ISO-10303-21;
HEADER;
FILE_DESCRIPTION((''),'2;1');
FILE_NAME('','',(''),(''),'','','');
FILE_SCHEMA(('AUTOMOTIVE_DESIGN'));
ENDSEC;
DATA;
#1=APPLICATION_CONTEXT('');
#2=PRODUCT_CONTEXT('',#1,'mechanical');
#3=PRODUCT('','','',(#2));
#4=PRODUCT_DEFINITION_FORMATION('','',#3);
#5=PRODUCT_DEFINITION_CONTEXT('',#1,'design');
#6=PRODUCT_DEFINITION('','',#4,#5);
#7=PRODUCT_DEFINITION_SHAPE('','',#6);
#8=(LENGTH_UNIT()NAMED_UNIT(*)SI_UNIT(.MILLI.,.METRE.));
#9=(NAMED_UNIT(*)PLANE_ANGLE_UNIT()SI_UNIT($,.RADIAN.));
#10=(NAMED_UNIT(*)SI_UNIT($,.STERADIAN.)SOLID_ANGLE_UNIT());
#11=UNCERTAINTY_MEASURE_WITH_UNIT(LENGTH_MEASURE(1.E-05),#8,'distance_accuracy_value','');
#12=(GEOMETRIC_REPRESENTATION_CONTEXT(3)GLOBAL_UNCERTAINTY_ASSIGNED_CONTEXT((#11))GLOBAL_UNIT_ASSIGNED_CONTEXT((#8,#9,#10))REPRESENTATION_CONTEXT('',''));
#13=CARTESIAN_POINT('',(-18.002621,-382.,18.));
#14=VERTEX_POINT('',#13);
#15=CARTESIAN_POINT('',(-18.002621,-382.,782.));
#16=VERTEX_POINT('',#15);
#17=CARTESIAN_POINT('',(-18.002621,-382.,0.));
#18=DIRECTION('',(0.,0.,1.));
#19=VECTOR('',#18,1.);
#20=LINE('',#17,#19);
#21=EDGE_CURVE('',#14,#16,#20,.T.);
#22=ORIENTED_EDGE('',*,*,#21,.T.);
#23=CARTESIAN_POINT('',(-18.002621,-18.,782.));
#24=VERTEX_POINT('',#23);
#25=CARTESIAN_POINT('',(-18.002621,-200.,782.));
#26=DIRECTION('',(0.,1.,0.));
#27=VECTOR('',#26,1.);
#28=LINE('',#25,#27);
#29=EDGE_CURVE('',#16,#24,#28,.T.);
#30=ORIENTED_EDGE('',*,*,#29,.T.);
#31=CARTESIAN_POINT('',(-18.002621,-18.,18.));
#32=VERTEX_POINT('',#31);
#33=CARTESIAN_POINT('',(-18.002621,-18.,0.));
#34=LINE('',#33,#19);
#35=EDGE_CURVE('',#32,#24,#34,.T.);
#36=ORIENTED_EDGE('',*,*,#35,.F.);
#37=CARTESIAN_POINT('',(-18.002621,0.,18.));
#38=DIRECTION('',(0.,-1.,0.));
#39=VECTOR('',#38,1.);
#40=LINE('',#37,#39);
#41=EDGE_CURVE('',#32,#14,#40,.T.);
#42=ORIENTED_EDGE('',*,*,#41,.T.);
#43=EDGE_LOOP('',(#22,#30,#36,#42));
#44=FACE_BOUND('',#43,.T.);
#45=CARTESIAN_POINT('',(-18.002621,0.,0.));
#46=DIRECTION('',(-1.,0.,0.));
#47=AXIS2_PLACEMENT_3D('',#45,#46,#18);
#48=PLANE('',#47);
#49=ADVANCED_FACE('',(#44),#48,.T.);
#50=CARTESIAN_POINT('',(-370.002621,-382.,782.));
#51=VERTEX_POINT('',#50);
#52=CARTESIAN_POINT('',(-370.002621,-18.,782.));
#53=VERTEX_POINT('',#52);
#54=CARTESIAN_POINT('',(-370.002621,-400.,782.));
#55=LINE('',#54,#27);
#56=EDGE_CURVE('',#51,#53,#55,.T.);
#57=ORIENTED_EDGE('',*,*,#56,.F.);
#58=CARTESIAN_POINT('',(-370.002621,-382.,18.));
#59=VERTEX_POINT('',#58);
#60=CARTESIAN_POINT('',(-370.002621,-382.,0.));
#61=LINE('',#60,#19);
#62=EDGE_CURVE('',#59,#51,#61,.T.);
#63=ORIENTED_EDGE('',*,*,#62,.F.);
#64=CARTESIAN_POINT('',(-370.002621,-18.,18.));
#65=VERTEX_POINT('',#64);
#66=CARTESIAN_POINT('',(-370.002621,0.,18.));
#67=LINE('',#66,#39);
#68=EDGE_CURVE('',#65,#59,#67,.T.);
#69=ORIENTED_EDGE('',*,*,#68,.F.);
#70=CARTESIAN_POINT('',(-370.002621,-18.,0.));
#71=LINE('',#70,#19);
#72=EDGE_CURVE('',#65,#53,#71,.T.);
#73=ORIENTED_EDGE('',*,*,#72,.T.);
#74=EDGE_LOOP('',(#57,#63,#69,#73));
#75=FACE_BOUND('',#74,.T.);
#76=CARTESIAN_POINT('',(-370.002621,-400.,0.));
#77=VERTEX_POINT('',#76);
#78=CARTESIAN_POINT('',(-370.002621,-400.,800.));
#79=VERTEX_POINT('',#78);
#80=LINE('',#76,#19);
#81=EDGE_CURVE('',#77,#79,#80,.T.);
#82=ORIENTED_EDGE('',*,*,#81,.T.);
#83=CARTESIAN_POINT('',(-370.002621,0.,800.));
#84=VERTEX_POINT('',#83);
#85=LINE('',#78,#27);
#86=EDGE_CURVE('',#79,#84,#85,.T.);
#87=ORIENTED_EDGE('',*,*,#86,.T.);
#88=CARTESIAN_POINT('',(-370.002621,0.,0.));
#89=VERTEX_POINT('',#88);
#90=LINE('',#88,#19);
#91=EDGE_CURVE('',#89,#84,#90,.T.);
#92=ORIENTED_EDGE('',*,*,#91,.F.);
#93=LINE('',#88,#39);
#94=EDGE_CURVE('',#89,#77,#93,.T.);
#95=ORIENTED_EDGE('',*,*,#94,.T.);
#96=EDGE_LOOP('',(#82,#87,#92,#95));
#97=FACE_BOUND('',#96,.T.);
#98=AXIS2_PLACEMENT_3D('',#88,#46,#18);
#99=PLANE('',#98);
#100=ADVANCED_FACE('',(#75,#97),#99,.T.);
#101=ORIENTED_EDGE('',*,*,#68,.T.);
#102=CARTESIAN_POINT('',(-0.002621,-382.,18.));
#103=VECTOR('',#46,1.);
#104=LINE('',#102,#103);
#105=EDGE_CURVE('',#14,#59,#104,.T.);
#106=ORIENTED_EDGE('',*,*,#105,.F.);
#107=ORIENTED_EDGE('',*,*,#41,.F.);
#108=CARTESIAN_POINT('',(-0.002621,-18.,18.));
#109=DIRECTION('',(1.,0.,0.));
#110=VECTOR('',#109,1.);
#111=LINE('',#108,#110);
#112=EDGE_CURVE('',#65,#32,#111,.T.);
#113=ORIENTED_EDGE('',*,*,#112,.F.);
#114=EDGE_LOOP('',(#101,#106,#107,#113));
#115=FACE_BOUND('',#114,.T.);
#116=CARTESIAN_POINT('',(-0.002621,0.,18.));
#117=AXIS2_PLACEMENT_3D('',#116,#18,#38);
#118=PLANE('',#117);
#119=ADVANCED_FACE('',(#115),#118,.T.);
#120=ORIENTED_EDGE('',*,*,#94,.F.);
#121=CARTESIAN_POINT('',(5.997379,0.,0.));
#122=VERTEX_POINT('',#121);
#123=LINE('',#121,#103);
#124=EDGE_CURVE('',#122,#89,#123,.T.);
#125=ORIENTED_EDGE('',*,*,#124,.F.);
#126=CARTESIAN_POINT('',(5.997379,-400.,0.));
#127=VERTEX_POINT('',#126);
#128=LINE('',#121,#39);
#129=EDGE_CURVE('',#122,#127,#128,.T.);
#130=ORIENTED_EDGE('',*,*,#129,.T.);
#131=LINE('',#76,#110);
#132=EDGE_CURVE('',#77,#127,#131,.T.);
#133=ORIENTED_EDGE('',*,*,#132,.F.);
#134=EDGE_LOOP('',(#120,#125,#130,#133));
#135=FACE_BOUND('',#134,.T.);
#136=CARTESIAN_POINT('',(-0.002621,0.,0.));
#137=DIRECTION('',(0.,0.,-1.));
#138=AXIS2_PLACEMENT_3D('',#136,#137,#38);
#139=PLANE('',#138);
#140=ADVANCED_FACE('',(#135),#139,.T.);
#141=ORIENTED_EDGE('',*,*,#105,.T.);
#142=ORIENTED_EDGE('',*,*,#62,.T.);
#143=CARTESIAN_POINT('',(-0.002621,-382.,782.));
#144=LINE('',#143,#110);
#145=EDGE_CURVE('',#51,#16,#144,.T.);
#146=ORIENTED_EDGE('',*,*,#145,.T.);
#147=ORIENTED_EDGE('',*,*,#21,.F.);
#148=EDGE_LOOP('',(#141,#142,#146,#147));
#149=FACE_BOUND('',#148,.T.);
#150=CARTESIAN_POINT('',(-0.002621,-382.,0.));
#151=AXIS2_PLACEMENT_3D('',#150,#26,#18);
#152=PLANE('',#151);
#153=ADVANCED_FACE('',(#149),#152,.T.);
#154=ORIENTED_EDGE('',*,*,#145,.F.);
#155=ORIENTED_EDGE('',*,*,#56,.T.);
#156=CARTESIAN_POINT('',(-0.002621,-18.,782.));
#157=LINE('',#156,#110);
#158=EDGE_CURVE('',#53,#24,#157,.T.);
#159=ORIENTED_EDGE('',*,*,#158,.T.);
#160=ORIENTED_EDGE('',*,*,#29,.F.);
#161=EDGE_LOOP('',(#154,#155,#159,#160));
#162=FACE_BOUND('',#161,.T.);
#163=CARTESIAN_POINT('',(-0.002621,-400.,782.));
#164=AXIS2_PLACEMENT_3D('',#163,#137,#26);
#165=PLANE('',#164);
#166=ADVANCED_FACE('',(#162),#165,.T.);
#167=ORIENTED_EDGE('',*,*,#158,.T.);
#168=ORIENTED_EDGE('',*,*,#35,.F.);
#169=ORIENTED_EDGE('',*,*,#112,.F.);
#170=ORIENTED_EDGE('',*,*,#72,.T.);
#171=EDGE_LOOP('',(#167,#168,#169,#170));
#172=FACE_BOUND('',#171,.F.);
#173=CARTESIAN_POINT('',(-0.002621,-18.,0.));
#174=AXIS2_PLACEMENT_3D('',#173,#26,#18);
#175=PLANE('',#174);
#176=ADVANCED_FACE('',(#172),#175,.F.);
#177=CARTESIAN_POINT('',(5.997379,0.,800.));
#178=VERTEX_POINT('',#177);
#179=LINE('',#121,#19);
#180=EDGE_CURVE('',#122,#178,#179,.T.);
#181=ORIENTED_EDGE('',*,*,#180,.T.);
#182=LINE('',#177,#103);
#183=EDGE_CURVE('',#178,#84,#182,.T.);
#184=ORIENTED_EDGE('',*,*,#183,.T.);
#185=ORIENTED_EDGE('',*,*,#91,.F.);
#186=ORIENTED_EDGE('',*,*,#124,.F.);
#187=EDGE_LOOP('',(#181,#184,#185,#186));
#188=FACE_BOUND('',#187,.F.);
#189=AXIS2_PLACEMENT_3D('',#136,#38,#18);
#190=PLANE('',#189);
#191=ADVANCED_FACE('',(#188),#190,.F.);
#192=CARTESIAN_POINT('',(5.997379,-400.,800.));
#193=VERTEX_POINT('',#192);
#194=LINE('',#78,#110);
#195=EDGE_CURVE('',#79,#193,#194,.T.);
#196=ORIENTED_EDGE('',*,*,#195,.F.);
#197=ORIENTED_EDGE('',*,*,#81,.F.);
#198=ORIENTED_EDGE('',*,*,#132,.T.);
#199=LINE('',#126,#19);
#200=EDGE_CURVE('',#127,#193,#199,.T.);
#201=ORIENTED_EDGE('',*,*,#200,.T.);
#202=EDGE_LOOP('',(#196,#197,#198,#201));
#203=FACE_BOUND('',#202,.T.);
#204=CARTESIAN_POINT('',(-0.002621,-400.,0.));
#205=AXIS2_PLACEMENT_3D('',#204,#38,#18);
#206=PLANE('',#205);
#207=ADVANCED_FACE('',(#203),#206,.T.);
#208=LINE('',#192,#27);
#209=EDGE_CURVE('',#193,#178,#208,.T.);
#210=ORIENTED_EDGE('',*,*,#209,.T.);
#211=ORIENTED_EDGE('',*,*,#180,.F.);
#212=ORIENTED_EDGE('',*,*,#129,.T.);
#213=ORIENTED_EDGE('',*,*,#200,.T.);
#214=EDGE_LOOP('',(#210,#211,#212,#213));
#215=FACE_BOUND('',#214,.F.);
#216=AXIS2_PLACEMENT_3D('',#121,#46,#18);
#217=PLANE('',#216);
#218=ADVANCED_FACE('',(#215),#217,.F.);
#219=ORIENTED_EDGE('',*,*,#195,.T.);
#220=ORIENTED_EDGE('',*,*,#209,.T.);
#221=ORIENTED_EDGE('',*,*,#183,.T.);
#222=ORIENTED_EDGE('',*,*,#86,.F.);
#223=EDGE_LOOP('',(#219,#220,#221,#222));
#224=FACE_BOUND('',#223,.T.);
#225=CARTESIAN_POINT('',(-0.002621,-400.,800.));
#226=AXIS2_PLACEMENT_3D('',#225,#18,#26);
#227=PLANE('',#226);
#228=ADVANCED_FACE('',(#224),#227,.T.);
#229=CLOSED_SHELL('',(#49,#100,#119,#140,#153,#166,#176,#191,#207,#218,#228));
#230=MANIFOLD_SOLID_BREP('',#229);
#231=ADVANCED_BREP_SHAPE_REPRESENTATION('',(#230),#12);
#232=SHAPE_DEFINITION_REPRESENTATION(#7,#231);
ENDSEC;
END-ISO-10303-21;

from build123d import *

# Parameters (mm, degrees)
F0_W     = 42.7973791957
F0_H     = 46.9045490026
F1_DEPTH = 800
F2_DEPTH = 400
F3_DEPTH = 100
F4_DEPTH = 42.8
F5_DEPTH = 370
F6_T     = -18
F7_DEPTH = 6


with BuildPart() as f1:
    # F0 (on Top) → F1 (new body)
    with BuildSketch(Plane.XY):
        with Locations((21.3986895978, -23.4522745013)):
            Rectangle(F0_W, F0_H)
    extrude(amount=F1_DEPTH)

    # F2 (add): a face of the model
    f2_faces = [f1.faces().sort_by_distance(p)[0] for p in [
        (21.3986895978, 0, 400),
    ]]
    extrude(f2_faces, amount=-F2_DEPTH)

    # F3 (add): a face of the model
    f3_faces = [f1.faces().sort_by_distance(p)[0] for p in [
        (0, -200, 400),
    ]]
    extrude(f3_faces, amount=F3_DEPTH)

    # F4 (cut): a face of the model
    f4_faces = [f1.faces().sort_by_distance(p)[0] for p in [
        (42.7973791957, -200, 400),
    ]]
    extrude(f4_faces, amount=-F4_DEPTH, mode=Mode.SUBTRACT)

    # F5 (add): a face of the model
    f5_faces = [f1.faces().sort_by_distance(p)[0] for p in [
        (-0.0026208043, -200, 400),
    ]]
    extrude(f5_faces, amount=-F5_DEPTH)

    # F6
    f6_openings = [f1.faces().sort_by_distance(p)[0] for p in [
        (-370.002621, -200, 400),
    ]]
    offset(amount=F6_T, openings=f6_openings)

    # F7 (add): a face of the model
    f7_faces = [f1.faces().sort_by_distance(p)[0] for p in [
        (-0.0026208043, -200, 400),
    ]]
    extrude(f7_faces, amount=F7_DEPTH)


solid = f1.part
